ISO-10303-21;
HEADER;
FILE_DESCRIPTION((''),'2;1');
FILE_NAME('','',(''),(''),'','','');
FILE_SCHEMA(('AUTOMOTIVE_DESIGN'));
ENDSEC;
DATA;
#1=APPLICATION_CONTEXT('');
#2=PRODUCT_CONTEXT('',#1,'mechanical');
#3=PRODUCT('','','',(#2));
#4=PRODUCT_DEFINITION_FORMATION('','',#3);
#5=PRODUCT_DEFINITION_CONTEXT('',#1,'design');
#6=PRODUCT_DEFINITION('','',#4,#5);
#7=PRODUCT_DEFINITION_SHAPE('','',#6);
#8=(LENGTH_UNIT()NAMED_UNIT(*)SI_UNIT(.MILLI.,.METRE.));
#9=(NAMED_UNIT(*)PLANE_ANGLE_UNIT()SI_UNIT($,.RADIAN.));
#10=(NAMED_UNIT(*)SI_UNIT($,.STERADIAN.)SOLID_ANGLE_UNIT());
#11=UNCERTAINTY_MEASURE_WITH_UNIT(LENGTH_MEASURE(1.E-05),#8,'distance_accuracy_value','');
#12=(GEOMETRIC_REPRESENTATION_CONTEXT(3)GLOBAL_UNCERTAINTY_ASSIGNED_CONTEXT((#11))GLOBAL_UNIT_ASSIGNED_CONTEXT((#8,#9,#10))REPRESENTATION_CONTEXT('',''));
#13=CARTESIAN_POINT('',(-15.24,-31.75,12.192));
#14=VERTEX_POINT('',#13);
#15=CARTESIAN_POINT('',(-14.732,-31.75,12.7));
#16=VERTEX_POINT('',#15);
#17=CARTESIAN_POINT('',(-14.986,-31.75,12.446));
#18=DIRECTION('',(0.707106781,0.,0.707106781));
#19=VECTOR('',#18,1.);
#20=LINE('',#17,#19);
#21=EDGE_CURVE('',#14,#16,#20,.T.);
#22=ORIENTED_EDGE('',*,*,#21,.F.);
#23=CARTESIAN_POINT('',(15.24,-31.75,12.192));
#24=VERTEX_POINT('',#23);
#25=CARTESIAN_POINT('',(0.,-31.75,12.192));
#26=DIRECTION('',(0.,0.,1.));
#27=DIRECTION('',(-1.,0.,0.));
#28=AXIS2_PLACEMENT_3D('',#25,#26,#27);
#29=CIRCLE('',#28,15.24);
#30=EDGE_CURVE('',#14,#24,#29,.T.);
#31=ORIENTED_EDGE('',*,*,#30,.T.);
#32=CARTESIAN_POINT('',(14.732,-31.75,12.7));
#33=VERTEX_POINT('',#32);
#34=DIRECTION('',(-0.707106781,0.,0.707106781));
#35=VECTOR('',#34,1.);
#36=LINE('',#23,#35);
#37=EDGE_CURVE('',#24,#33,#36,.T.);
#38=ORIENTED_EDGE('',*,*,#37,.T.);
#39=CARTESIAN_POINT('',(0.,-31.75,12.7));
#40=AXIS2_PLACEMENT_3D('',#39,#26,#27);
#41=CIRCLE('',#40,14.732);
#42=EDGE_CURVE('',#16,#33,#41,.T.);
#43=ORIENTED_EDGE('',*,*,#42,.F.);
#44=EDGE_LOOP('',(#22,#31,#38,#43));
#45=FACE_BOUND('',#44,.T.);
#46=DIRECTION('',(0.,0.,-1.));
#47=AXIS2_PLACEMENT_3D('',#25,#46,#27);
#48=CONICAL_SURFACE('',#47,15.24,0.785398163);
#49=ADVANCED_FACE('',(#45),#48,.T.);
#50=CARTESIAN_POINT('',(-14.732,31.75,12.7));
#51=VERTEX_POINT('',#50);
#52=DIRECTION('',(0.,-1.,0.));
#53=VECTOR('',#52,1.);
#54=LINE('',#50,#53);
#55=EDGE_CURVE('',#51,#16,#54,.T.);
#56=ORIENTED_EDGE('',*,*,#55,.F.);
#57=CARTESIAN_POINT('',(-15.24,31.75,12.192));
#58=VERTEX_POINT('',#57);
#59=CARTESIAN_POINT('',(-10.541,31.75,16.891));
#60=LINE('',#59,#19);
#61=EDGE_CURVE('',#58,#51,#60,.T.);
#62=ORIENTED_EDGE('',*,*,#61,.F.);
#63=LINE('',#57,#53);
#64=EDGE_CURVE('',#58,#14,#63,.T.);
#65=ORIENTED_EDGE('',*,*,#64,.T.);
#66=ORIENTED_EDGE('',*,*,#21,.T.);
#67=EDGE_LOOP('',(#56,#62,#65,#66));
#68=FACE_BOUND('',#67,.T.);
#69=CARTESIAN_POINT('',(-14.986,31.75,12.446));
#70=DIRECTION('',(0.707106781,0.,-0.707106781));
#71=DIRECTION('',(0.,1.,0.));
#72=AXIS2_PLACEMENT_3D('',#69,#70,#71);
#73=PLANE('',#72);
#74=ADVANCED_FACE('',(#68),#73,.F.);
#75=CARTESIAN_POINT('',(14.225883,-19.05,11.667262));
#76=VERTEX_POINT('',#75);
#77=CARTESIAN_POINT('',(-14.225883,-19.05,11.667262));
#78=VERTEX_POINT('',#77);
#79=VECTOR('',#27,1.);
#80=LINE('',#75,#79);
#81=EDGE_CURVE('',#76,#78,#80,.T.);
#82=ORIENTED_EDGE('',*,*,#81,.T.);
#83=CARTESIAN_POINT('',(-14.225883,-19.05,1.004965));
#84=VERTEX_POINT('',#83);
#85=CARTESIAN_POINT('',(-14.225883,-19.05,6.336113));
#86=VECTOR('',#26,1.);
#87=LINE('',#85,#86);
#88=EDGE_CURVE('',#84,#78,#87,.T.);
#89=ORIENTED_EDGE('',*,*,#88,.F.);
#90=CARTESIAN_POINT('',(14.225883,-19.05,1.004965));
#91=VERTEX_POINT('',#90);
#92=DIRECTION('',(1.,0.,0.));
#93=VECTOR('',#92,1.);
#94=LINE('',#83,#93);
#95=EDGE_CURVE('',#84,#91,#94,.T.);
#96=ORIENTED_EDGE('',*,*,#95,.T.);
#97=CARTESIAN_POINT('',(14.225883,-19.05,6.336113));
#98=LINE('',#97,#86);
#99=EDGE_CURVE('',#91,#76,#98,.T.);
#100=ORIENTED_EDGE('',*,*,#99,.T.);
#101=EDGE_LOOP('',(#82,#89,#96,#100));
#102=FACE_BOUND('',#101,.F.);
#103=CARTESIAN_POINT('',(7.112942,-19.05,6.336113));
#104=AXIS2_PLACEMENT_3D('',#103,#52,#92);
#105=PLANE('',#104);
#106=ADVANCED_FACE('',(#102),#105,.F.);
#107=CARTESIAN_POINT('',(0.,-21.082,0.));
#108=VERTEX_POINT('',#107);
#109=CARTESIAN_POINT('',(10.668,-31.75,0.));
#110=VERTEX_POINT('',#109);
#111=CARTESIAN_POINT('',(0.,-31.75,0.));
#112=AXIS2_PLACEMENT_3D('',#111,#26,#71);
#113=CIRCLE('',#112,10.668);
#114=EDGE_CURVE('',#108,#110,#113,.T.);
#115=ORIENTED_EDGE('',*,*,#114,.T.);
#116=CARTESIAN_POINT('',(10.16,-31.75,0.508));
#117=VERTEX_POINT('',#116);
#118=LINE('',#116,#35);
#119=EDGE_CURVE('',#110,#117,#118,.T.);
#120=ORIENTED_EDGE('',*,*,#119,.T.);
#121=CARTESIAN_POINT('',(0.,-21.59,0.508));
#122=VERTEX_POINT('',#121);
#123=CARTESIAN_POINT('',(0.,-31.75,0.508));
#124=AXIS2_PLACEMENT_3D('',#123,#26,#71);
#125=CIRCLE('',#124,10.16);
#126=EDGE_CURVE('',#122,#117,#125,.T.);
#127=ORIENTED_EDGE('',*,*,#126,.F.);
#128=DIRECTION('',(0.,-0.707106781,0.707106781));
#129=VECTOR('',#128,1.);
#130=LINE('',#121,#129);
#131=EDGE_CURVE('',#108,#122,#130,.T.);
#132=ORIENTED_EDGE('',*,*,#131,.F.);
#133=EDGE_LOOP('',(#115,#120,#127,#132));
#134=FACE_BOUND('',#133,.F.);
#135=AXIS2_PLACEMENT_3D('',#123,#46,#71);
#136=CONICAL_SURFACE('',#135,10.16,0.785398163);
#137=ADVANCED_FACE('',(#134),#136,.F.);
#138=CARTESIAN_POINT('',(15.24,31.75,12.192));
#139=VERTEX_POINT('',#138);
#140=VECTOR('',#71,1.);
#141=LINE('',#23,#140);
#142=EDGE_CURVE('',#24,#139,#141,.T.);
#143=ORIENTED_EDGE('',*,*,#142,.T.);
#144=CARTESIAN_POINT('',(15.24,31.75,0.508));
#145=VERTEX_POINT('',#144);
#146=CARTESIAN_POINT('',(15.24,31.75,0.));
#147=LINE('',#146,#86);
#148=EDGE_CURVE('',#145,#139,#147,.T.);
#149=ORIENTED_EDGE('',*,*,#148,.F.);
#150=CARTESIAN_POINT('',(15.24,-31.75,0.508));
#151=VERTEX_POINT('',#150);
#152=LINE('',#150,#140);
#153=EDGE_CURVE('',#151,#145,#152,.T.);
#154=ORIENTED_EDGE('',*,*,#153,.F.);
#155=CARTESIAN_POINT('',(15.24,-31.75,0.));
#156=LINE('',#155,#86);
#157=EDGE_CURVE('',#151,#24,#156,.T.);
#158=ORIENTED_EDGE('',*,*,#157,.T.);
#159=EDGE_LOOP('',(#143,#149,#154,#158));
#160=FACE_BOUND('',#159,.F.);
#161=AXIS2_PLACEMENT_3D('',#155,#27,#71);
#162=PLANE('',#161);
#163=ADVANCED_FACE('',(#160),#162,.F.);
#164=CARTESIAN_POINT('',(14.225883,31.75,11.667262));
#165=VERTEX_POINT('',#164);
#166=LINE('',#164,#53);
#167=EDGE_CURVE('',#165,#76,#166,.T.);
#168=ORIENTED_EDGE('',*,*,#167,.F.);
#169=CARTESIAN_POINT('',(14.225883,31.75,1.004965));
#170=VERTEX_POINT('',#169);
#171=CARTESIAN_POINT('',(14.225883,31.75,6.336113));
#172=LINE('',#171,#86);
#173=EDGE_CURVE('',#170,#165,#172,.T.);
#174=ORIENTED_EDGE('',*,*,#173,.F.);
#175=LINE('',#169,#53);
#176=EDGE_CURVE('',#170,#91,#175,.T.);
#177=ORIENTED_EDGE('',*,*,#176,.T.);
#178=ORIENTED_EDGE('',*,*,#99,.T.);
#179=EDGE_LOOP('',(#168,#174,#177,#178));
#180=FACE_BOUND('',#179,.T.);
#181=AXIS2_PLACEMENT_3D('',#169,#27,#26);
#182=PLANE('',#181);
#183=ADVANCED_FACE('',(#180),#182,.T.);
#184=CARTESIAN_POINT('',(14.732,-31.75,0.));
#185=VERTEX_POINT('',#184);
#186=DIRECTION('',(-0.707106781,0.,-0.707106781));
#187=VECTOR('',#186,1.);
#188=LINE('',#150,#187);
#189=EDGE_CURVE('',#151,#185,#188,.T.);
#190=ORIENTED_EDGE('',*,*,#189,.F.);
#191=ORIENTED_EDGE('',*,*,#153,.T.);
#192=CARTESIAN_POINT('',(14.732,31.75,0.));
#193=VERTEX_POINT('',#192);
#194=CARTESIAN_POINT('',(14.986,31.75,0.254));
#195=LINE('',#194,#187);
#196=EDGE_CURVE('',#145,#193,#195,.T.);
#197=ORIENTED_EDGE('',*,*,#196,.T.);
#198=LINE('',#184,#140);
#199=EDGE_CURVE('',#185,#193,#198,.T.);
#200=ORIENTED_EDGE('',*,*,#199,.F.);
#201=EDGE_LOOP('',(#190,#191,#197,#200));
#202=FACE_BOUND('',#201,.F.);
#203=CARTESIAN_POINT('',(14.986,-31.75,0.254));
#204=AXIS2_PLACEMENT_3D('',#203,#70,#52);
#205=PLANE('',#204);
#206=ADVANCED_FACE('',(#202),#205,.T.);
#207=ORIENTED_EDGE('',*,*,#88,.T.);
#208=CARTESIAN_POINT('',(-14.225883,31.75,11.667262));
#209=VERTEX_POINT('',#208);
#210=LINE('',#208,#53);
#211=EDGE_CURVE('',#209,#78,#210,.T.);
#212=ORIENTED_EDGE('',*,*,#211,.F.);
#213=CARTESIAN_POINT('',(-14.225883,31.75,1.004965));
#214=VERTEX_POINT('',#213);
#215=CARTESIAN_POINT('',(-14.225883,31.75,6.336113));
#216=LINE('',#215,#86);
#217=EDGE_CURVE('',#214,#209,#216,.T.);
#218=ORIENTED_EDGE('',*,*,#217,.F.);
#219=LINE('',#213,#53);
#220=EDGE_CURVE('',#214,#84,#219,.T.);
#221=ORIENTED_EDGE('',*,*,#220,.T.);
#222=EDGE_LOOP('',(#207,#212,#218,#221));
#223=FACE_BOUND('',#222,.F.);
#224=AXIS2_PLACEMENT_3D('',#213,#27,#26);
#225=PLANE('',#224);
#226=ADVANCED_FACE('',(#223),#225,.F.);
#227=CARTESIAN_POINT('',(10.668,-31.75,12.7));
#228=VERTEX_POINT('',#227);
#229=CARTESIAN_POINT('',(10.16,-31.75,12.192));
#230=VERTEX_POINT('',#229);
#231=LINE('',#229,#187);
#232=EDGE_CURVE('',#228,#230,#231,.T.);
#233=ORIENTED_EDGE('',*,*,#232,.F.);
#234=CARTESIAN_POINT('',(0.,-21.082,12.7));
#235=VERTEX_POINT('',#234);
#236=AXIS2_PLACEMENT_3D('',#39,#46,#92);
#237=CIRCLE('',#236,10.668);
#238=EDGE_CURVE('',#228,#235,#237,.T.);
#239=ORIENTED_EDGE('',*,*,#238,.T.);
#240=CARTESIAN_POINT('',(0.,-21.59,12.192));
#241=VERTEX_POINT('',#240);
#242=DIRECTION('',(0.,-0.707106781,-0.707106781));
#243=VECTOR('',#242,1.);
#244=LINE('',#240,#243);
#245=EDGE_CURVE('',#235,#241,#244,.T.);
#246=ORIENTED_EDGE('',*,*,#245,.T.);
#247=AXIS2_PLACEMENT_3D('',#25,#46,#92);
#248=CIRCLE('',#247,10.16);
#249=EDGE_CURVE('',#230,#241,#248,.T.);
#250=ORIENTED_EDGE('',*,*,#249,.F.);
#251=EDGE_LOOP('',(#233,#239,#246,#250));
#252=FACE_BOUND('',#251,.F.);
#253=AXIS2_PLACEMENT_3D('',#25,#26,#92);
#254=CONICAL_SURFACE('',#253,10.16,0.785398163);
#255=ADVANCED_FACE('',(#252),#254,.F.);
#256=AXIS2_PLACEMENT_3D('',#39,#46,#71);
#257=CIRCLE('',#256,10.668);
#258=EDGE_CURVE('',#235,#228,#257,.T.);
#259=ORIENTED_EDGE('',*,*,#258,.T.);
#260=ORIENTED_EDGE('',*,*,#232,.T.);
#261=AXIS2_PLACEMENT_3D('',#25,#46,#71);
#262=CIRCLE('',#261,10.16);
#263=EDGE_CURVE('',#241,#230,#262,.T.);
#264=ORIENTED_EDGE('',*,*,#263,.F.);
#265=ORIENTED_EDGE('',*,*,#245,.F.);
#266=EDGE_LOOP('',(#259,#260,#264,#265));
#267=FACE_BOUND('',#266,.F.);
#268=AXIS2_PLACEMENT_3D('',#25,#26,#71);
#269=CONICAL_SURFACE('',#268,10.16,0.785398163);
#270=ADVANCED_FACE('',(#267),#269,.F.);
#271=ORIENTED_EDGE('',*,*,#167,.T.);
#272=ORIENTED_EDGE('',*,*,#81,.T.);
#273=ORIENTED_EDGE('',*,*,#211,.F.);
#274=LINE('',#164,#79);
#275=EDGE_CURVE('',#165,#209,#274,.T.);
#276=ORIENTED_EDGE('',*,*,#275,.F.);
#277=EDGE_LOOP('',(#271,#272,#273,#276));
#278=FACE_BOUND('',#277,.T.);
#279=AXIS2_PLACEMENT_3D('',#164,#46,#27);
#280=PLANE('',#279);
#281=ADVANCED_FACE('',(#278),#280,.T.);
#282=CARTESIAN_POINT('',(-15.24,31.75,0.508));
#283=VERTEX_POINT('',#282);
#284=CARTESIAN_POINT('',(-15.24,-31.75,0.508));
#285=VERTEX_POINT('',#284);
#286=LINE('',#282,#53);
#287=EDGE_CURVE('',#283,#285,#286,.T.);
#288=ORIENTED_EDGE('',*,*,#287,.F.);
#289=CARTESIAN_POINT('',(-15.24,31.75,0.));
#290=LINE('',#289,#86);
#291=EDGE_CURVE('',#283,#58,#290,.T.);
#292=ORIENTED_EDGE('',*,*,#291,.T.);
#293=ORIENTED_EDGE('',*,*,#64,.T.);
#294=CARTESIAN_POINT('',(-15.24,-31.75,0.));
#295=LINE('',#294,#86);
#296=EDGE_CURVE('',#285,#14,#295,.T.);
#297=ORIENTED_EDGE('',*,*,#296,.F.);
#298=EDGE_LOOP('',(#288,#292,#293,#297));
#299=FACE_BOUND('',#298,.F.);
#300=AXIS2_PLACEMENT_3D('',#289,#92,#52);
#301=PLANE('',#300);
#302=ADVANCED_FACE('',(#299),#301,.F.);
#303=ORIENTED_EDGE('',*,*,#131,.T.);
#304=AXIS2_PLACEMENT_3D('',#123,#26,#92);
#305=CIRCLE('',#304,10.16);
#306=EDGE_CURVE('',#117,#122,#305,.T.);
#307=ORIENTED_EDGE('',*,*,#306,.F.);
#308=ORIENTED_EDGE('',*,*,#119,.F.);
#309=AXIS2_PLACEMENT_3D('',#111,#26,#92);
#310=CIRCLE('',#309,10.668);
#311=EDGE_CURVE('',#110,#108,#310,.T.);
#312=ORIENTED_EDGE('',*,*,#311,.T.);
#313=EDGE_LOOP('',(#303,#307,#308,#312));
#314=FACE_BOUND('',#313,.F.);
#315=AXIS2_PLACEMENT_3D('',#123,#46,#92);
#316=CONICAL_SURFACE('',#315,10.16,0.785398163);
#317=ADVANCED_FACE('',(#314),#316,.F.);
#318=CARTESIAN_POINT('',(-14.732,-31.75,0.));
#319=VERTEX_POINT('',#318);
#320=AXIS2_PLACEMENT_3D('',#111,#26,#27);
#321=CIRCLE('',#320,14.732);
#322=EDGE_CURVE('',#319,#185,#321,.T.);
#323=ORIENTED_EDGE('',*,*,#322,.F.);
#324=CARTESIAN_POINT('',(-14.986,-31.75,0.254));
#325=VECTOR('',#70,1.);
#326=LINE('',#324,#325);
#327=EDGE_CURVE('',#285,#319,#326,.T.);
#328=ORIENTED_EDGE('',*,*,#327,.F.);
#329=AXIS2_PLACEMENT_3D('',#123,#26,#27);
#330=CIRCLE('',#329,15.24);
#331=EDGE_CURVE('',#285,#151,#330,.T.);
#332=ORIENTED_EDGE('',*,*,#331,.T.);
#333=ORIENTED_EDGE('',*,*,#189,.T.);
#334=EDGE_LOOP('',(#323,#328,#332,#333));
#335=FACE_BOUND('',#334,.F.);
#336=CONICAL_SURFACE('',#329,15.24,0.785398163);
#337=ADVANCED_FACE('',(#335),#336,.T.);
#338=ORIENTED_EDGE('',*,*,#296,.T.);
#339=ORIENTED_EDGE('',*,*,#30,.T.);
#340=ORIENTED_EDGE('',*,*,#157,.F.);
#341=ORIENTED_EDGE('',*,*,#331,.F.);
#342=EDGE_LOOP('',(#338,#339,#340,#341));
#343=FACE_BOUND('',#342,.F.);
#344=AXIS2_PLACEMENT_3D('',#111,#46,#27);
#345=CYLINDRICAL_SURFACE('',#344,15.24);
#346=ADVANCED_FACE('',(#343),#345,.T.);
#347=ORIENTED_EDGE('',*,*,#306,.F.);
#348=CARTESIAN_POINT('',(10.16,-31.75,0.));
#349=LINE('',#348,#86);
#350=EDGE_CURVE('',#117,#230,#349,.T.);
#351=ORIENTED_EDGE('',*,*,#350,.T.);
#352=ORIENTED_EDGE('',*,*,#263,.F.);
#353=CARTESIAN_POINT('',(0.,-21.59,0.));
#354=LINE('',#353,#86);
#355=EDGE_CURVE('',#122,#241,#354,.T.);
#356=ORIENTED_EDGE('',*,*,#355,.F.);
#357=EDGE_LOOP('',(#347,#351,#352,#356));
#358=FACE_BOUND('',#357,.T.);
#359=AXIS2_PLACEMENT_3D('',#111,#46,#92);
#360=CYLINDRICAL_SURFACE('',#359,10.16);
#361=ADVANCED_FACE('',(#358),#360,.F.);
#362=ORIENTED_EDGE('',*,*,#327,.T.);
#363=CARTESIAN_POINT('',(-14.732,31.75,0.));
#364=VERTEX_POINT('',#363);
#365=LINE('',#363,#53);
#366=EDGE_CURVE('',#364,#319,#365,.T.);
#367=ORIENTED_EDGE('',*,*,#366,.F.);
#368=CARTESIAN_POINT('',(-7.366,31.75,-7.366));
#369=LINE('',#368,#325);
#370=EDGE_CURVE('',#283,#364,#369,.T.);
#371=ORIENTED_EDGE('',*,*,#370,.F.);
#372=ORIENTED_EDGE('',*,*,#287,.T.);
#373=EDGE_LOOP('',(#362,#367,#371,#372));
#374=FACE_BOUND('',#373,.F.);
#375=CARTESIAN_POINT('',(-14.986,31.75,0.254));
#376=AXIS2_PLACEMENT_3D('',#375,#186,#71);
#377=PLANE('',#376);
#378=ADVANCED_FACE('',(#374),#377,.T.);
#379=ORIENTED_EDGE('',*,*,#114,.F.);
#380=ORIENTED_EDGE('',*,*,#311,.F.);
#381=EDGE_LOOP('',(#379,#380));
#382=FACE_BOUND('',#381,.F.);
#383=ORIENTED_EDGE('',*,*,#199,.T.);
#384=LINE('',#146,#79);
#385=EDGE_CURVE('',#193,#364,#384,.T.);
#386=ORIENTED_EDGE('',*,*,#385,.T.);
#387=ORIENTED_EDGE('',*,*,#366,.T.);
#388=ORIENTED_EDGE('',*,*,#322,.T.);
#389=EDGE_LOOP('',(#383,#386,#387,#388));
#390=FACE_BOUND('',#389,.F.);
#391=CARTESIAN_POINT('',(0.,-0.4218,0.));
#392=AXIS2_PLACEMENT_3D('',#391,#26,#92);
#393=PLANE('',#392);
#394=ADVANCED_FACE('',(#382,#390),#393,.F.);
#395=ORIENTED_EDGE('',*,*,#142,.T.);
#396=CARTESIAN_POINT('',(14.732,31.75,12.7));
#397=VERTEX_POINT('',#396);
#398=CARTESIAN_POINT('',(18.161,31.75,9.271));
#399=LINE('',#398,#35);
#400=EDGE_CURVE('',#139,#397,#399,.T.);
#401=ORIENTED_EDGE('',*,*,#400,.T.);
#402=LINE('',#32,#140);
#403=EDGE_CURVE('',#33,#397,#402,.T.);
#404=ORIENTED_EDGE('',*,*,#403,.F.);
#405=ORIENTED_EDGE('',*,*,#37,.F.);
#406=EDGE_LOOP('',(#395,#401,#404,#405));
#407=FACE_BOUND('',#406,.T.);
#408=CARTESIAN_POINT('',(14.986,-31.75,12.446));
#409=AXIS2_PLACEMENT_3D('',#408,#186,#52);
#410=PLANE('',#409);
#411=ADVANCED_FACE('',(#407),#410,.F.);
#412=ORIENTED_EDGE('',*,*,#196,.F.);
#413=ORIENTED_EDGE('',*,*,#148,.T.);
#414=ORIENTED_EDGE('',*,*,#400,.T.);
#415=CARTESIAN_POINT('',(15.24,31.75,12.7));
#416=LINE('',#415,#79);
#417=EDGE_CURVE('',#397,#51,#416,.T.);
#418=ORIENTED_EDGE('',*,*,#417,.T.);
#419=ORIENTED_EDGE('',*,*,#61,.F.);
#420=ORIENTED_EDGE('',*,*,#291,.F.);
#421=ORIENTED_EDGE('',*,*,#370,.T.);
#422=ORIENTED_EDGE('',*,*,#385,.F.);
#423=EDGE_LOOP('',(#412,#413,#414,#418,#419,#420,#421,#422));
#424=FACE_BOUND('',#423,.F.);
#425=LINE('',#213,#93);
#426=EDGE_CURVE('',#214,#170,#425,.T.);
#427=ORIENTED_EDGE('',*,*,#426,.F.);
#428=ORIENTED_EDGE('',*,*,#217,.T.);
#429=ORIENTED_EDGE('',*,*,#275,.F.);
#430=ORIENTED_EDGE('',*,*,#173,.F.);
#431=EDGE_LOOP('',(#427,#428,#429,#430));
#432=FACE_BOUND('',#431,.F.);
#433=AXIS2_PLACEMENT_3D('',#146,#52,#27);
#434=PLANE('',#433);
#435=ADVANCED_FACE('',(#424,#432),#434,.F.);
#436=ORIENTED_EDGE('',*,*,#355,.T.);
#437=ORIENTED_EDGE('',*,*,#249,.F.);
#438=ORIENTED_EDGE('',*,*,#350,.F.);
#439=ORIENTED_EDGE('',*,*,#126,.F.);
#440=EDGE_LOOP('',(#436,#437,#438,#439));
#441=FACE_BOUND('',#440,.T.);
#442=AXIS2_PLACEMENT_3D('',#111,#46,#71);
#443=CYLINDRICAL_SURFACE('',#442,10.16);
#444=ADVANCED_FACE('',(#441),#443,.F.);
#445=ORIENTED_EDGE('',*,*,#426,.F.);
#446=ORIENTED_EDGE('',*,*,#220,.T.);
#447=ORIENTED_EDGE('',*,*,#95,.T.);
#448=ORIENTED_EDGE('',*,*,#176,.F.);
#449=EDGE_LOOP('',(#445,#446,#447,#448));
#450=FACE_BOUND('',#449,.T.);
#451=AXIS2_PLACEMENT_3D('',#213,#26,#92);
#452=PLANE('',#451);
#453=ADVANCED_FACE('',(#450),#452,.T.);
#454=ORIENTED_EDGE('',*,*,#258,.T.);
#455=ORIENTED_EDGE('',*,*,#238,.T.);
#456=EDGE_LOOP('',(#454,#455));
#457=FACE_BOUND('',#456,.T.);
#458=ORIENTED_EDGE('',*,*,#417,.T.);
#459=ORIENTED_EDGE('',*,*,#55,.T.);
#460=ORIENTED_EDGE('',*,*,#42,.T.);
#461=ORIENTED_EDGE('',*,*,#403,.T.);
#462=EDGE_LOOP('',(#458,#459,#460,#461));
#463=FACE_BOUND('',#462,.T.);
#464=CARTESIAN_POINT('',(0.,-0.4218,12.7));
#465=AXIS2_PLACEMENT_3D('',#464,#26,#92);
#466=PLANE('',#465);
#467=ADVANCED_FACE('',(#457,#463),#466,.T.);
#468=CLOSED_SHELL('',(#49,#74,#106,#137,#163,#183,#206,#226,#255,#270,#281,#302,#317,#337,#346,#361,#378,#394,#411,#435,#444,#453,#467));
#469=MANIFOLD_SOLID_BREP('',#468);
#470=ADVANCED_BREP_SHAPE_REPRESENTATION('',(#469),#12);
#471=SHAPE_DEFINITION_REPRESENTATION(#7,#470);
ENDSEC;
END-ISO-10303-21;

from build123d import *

# Parameters (mm, degrees)
F1_DEPTH = 12.7
F3_DEPTH = 25.4
F4_SIZE  = 0.508
F6_W     = 14.2258834094
F6_H     = 10.6622967869
F7_DEPTH = 50.8


with BuildPart() as f1:
    # F0 (on Top) → F1 (new body)
    with BuildSketch(Plane.XY):
        with BuildLine():
            Line((15.24, -31.75), (15.24, 31.75))
            Line((15.24, 31.75), (-15.24, 31.75))
            Line((-15.24, 31.75), (-15.24, -31.75))
            ThreePointArc((-15.24, -31.75), (-10.7763073453, -20.9736926547), (0, -16.51))
            ThreePointArc((0, -16.51), (10.7763073453, -20.9736926547), (15.24, -31.75))
        make_face()
        with BuildLine():
            ThreePointArc((-15.24, -31.75), (0, -46.99), (15.24, -31.75))
            Line((15.24, -31.75), (0, -31.75))
            Line((0, -31.75), (-15.24, -31.75))
        make_face()
        with BuildLine():
            Line((0, -31.75), (15.24, -31.75))
            ThreePointArc((15.24, -31.75), (10.7763073453, -20.9736926547), (0, -16.51))
            Line((0, -16.51), (0, -31.75))
        make_face()
        with BuildLine():
            ThreePointArc((0, -16.51), (-10.7763073453, -20.9736926547), (-15.24, -31.75))
            Line((-15.24, -31.75), (0, -31.75))
            Line((0, -31.75), (0, -16.51))
        make_face()
    extrude(amount=F1_DEPTH)

    # F2 (on Top) → F3 (cut)
    with BuildSketch(Plane.XY):
        with BuildLine():
            ThreePointArc((10.16, -31.75), (7.1842048969, -24.5657951031), (0, -21.59))
            Line((0, -21.59), (0, -31.75))
            Line((0, -31.75), (10.16, -31.75))
        make_face()
        with BuildLine():
            Line((0, -31.75), (0, -21.59))
            ThreePointArc((0, -21.59), (-7.1842048969, -38.9342048969), (10.16, -31.75))
            Line((10.16, -31.75), (0, -31.75))
        make_face()
    extrude(amount=F3_DEPTH, mode=Mode.SUBTRACT)

    # F4
    f4_edges = [f1.edges().sort_by_distance(p)[0] for p in [
        (-15.24, 0, 12.7),
        (-15.24, 0, 0),
        (0, -41.91, 12.7),
        (0, -41.91, 0),
    ]]
    chamfer(f4_edges, length=F4_SIZE)

    # F6 (on offset) → F7 (cut)
    with BuildSketch(Plane.XZ.offset(-31.75)):
        with Locations((7.1129417047, 6.336113438)):
            Rectangle(F6_W, F6_H)
        with Locations((-7.1129417047, 6.336113438)):
            Rectangle(F6_W, F6_H)
    extrude(amount=F7_DEPTH, mode=Mode.SUBTRACT)


solid = f1.part
